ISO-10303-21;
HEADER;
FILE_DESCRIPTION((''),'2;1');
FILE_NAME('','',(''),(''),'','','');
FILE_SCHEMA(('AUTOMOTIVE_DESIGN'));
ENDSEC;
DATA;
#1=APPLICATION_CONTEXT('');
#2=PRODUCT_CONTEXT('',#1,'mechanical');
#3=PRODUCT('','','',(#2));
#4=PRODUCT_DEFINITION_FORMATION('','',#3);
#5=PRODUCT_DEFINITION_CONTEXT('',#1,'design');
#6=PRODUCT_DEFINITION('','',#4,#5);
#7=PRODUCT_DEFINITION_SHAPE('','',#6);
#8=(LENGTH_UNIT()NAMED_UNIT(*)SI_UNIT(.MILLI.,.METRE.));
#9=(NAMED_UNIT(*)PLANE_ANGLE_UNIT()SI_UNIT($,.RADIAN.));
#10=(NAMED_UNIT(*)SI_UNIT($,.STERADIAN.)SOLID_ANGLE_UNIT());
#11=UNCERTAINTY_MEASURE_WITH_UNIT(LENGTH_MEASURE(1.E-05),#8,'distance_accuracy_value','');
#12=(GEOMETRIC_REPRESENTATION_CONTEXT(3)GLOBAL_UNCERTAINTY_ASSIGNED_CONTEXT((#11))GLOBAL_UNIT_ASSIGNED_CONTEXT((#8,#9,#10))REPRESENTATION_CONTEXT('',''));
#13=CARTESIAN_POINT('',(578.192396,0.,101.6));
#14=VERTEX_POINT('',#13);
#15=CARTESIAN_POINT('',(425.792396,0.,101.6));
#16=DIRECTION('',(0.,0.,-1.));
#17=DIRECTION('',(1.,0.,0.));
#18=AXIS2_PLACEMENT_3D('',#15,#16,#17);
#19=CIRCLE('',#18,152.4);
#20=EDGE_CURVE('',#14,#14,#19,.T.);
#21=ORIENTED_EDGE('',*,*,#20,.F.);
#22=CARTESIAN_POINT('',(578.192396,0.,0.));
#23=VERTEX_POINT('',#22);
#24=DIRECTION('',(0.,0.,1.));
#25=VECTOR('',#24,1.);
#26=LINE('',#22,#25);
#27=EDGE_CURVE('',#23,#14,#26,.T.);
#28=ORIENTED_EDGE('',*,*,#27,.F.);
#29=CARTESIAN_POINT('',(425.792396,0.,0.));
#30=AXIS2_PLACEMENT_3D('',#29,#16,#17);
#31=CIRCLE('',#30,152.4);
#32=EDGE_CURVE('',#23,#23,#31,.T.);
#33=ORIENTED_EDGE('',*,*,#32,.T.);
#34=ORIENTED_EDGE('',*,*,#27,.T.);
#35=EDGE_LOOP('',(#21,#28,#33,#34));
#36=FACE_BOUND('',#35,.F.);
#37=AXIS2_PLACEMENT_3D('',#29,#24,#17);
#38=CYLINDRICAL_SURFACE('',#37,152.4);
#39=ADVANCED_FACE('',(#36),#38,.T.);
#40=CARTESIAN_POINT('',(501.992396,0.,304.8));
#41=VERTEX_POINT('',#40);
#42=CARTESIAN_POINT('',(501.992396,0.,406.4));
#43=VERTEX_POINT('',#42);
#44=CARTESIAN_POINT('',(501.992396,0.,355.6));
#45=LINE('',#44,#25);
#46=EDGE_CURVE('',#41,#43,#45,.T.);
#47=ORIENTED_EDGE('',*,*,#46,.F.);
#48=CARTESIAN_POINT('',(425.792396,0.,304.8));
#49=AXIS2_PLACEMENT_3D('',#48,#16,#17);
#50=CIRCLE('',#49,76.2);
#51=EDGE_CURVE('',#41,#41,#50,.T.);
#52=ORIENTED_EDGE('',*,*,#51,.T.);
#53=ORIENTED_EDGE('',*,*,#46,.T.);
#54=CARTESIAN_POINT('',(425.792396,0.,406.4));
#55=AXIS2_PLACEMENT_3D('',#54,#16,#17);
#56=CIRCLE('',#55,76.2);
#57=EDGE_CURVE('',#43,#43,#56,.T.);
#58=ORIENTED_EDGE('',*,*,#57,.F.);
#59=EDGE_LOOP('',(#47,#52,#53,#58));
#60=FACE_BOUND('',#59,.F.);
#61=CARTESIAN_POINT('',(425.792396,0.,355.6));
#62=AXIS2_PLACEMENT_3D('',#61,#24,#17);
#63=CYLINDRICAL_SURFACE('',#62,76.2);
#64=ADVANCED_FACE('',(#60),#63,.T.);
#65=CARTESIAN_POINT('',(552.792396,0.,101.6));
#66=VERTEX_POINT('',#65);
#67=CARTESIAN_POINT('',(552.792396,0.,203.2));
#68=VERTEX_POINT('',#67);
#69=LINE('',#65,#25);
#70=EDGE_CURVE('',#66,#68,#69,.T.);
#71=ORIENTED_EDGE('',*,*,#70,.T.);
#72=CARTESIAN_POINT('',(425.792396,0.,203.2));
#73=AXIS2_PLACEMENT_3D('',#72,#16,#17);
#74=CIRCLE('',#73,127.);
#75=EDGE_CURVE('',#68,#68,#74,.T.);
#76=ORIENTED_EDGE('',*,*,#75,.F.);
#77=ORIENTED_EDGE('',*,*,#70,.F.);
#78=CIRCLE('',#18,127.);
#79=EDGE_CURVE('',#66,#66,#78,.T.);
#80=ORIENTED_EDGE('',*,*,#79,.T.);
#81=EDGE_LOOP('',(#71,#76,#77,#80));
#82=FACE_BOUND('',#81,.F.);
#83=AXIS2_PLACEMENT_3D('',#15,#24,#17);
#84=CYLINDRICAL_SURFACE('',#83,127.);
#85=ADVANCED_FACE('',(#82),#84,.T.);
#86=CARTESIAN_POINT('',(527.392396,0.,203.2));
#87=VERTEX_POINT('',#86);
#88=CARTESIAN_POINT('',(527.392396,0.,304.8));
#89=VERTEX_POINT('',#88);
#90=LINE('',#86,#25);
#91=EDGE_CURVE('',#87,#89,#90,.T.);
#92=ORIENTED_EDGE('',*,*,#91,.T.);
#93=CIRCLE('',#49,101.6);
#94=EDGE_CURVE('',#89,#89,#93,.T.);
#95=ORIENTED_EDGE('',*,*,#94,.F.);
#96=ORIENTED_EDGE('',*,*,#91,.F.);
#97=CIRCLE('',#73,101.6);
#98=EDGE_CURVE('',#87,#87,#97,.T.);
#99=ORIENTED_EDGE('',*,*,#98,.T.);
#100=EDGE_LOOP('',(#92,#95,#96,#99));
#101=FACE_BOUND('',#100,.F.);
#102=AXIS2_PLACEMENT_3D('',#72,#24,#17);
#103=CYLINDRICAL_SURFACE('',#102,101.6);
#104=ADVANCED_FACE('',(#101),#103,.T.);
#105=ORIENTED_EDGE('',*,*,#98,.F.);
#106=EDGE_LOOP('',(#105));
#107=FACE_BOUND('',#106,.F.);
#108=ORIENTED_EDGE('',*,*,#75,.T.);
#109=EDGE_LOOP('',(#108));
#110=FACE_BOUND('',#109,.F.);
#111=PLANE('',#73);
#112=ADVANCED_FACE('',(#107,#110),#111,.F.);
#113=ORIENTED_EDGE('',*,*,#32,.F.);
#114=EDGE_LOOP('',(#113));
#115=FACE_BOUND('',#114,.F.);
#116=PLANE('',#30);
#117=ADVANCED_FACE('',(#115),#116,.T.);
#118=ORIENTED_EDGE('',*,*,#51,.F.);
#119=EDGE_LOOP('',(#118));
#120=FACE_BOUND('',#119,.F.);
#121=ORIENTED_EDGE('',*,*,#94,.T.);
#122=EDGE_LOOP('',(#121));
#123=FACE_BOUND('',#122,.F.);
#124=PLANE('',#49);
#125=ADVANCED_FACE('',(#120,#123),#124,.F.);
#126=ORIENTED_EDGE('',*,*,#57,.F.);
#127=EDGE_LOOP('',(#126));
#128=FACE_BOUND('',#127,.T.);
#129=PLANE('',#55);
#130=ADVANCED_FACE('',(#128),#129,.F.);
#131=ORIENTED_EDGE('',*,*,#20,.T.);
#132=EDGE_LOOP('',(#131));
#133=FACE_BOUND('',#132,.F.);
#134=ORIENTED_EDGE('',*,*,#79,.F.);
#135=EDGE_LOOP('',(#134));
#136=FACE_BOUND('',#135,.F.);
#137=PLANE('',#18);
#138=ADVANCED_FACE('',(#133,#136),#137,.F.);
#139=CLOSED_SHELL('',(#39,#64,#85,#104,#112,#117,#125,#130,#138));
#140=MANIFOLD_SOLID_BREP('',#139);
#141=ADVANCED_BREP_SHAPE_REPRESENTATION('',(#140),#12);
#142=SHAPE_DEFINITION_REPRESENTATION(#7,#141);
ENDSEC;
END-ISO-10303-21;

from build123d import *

# Parameters (mm, degrees)
F1_W = 76.2
F1_H = 101.6


with BuildPart() as f2:
    # F1 (on Front) → F2 (revolve)
    with BuildSketch(Plane.XZ):
        Polygon((425.792396, 101.6), (425.792396, 0), (578.192396, 0), (578.192396, 101.6), (552.792396, 101.6), align=None)
        Polygon((425.792396, 203.2), (425.792396, 101.6), (552.792396, 101.6), (552.792396, 203.2), (527.392396, 203.2), align=None)
        Polygon((425.792396, 304.8), (425.792396, 203.2), (527.392396, 203.2), (527.392396, 304.8), (501.992396, 304.8), align=None)
        with Locations((463.892396, 355.6)):
            Rectangle(F1_W, F1_H)
    revolve(axis=Axis((425.792396, 0, 108.627791), (0, 0, -1)))


solid = f2.part
